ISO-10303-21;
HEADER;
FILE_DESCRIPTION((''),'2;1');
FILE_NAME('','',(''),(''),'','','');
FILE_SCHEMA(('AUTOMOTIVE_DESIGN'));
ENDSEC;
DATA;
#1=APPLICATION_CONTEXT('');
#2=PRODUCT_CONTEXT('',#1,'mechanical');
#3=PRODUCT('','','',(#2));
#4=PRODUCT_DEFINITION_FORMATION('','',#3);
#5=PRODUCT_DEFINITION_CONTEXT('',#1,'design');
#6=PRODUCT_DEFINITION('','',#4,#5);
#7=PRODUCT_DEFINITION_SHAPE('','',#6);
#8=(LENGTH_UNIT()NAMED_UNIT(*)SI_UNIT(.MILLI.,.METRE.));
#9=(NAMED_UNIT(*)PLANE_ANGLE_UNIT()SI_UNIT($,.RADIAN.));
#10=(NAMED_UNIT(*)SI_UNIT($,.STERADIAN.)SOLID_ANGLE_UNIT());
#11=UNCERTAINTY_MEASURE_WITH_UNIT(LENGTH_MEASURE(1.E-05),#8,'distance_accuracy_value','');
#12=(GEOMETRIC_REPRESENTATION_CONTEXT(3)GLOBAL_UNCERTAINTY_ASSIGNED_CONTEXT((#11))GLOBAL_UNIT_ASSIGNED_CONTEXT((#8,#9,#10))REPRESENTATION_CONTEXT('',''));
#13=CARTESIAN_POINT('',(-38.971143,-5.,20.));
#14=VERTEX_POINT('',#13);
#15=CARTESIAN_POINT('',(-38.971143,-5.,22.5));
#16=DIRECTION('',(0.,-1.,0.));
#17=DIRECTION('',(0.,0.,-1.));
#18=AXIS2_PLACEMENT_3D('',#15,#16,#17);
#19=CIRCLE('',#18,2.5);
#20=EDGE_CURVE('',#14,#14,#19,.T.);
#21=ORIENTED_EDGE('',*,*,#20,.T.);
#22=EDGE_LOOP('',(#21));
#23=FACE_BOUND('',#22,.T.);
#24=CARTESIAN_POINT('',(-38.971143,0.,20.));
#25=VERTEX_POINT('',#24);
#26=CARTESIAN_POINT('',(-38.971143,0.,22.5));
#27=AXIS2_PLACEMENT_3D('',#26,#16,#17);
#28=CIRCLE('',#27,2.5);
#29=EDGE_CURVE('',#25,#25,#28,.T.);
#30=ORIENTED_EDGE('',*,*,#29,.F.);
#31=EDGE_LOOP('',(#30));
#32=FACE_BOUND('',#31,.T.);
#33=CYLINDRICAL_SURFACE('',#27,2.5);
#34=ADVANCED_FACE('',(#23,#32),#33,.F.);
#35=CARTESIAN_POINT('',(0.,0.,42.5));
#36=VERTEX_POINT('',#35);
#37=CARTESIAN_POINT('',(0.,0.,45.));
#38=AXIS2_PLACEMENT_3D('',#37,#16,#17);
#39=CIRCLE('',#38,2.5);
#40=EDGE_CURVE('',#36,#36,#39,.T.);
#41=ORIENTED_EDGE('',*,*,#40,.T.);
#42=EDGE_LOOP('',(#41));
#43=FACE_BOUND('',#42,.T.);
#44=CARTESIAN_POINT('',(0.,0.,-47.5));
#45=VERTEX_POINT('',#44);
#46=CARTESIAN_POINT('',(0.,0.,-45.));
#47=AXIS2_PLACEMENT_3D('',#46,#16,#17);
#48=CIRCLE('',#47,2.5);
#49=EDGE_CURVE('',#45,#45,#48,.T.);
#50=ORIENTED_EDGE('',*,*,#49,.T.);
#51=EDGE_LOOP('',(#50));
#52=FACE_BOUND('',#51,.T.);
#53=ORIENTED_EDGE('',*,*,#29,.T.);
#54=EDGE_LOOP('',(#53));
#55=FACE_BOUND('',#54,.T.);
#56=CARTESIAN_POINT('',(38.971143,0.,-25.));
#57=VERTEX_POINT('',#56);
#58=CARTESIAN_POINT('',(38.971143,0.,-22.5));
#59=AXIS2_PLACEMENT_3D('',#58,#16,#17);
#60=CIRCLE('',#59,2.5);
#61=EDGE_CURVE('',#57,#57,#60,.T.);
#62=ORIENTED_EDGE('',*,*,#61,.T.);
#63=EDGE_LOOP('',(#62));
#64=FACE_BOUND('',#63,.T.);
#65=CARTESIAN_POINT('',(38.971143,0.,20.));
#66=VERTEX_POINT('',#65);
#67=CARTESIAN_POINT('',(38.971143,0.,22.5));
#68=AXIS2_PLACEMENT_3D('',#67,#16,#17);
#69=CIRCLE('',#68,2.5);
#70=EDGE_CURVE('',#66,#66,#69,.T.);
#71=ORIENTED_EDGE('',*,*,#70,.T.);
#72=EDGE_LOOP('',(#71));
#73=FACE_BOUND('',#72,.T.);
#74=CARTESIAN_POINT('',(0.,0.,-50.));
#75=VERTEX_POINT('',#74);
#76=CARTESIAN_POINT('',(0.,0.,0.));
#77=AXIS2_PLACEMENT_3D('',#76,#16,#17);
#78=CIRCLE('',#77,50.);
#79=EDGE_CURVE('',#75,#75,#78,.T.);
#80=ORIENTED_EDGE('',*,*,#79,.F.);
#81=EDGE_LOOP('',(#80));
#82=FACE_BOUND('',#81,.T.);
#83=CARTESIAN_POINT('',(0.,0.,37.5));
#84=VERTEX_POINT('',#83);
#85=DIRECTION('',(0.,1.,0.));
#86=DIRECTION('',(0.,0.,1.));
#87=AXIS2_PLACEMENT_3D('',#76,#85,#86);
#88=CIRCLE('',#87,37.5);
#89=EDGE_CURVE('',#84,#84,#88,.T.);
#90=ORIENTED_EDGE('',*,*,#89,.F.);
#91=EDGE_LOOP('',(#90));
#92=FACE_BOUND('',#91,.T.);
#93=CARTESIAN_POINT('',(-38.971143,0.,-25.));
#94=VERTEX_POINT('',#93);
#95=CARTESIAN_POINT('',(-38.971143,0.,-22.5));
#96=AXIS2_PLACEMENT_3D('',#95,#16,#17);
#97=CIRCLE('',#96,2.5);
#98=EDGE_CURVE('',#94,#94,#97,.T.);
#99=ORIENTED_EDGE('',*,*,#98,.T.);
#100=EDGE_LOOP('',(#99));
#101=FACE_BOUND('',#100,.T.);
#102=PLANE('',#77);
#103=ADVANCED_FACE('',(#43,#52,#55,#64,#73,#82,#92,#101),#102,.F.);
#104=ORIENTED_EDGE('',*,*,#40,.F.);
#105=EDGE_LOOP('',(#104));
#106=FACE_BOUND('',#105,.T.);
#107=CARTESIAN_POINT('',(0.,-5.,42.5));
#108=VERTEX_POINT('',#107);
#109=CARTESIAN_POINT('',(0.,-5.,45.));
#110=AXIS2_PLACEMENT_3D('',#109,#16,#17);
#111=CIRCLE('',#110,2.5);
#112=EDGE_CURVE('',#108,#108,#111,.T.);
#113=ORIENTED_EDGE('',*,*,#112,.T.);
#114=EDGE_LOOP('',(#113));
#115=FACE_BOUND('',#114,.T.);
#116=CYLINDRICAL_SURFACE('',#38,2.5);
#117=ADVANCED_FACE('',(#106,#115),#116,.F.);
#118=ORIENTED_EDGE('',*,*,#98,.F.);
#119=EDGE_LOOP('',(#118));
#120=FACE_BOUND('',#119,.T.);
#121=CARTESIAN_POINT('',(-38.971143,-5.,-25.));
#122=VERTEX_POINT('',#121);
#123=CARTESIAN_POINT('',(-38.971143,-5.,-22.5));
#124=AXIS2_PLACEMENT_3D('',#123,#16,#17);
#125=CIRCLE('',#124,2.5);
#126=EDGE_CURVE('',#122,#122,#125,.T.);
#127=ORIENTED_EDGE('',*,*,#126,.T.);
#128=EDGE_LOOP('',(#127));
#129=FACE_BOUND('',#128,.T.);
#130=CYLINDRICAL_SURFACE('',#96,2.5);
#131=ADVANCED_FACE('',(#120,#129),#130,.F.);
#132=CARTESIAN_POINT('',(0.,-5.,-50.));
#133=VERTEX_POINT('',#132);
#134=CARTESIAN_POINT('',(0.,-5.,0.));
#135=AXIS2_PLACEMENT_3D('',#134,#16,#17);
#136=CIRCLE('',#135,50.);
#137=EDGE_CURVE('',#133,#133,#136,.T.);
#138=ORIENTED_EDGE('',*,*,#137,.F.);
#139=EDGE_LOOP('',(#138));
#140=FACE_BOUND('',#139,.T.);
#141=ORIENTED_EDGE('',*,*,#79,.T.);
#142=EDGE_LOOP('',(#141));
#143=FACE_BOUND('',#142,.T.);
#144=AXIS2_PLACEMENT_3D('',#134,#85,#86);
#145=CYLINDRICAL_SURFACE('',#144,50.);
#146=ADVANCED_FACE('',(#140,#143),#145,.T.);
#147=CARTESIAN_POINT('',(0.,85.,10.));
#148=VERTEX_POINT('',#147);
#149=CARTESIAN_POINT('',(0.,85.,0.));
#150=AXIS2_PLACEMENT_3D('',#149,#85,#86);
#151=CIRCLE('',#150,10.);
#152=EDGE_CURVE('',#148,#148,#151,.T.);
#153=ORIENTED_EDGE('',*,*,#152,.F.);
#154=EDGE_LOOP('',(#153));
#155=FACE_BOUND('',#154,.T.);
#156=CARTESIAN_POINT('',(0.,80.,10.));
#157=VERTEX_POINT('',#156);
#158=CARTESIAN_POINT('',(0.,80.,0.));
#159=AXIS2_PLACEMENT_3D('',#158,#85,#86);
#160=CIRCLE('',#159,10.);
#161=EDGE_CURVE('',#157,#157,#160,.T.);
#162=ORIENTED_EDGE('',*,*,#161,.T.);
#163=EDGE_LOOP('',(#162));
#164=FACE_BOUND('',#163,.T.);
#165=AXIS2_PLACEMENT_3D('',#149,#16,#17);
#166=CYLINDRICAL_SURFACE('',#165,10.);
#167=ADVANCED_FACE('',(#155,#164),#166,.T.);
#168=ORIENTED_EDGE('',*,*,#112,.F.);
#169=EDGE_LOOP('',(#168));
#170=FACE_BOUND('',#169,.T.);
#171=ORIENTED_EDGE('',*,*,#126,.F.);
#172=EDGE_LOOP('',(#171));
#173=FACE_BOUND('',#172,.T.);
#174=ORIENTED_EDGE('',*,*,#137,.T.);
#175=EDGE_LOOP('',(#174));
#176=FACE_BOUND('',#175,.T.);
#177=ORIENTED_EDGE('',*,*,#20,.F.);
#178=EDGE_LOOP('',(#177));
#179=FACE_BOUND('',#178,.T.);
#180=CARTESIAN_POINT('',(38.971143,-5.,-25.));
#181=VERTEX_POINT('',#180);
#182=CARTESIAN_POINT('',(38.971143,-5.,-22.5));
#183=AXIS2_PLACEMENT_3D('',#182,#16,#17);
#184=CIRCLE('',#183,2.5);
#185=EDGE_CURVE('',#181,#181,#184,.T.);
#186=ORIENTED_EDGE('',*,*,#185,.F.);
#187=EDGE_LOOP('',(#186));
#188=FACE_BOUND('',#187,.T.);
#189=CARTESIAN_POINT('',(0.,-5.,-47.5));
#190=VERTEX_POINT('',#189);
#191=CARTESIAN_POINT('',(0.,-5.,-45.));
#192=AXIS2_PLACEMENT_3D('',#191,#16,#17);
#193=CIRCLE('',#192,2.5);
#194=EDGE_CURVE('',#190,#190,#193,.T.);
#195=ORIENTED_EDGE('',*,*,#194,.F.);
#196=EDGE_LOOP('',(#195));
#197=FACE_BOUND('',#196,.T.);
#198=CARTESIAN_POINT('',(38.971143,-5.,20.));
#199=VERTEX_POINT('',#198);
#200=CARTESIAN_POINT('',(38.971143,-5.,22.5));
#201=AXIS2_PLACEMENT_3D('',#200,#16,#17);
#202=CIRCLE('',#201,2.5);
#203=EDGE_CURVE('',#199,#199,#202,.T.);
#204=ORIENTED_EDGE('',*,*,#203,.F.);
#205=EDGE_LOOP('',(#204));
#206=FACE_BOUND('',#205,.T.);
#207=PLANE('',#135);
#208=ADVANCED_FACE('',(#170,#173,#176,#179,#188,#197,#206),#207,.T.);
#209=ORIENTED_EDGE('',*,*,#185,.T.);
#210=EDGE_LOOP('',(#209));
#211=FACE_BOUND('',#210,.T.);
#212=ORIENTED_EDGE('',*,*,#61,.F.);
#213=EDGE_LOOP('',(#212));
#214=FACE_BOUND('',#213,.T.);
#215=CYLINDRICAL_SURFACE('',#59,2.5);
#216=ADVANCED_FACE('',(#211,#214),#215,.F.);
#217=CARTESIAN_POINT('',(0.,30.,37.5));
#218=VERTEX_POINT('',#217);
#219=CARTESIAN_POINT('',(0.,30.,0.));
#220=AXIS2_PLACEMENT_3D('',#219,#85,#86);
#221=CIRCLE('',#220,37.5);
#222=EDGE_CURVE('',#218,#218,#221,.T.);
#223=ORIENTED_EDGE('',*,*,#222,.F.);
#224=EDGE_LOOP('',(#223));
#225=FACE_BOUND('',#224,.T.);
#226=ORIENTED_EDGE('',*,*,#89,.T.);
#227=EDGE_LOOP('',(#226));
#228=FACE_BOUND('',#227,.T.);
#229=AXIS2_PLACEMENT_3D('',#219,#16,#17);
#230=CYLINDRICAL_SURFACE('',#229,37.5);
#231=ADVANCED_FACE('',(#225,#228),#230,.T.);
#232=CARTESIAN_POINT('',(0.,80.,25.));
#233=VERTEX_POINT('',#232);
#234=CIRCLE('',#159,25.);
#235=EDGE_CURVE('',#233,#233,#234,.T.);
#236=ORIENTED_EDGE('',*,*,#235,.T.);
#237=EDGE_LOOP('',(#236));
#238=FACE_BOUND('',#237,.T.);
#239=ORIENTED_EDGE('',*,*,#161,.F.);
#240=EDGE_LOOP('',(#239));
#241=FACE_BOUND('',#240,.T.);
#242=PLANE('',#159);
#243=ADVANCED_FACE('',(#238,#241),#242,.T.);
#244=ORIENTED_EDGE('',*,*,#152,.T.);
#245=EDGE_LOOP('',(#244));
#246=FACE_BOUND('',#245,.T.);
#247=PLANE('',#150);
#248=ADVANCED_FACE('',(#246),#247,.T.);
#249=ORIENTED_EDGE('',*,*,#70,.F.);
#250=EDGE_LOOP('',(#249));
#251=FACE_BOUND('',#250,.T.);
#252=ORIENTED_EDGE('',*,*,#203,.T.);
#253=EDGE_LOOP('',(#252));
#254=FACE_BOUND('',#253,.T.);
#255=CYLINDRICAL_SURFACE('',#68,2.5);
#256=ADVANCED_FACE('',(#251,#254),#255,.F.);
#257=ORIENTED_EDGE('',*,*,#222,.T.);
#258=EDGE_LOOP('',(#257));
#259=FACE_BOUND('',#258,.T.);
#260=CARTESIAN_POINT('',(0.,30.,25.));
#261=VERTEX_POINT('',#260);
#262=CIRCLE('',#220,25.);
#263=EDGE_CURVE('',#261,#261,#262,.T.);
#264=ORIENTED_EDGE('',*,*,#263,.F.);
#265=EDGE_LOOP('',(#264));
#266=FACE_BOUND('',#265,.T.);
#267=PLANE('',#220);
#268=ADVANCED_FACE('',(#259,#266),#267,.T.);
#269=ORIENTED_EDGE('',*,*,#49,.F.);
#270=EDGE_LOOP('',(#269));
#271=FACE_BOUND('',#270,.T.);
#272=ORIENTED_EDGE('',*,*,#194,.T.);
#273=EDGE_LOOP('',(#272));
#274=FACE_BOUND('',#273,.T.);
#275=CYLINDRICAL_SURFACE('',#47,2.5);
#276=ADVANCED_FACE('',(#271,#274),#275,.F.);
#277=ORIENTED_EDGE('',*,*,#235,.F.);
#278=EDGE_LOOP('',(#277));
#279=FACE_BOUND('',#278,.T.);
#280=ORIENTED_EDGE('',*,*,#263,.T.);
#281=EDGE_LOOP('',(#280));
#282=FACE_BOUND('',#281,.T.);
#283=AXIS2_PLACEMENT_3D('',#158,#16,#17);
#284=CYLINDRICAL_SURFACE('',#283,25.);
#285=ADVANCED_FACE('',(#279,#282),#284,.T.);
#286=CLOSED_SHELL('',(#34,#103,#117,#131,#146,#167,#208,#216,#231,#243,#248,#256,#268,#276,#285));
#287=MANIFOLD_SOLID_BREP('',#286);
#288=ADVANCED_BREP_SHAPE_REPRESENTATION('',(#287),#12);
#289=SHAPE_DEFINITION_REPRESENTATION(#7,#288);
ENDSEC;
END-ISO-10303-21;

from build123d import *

# Parameters (mm, degrees)
SKETCH1_R           = 37.5
BOSS_EXTRUDE1_DEPTH = 30
SKETCH2_R           = 25
BOSS_EXTRUDE2_DEPTH = 50
SKETCH3_R           = 10
BOSS_EXTRUDE3_DEPTH = 5
SKETCH4_R           = 50
BOSS_EXTRUDE4_DEPTH = 5
SKETCH5_R           = 2.5
CUT_EXTRUDE1_DEPTH  = 5


with BuildPart() as part:
    # Sketch1 → Boss-Extrude1 (new body)
    with BuildSketch(Plane(origin=(0, 0, 0), x_dir=(1, 0, 0), z_dir=(0, 1, 0))):
        with Locations(Location((0, 0, 0), (0, 0, 270))):
            Circle(SKETCH1_R)
    extrude(amount=BOSS_EXTRUDE1_DEPTH)

    # Sketch2 → Boss-Extrude2 (add)
    with BuildSketch(Plane(origin=(0, 30, 0), x_dir=(1, 0, 0), z_dir=(0, 1, 0))):
        with Locations(Location((0, 0, 0), (0, 0, 270))):
            Circle(SKETCH2_R)
    extrude(amount=BOSS_EXTRUDE2_DEPTH)

    # Sketch3 → Boss-Extrude3 (add)
    with BuildSketch(Plane(origin=(0, 80, 0), x_dir=(1, 0, 0), z_dir=(0, 1, 0))):
        with Locations(Location((0, 0, 0), (0, 0, 270))):
            Circle(SKETCH3_R)
    extrude(amount=BOSS_EXTRUDE3_DEPTH)

    # Sketch4 → Boss-Extrude4 (add)
    with BuildSketch(Plane.XZ):
        with Locations(Location((0, 0, 0), (0, 0, 270))):
            Circle(SKETCH4_R)
    extrude(amount=BOSS_EXTRUDE4_DEPTH)

    # Sketch5 → Cut-Extrude1 (cut)
    with BuildSketch(Plane.XZ.offset(5)):
        with Locations(Location((0, 45, 0), (0, 0, 270))):
            Circle(SKETCH5_R)
        with Locations(Location((38.97114317, 22.5, 0), (0, 0, 270))):
            Circle(SKETCH5_R)
        with Locations(Location((38.97114317, -22.5, 0), (0, 0, 270))):
            Circle(SKETCH5_R)
        with Locations(Location((0, -45, 0), (0, 0, 270))):
            Circle(SKETCH5_R)
        with Locations(Location((-38.97114317, -22.5, 0), (0, 0, 270))):
            Circle(SKETCH5_R)
        with Locations(Location((-38.97114317, 22.5, 0), (0, 0, 270))):
            Circle(SKETCH5_R)
    extrude(amount=-CUT_EXTRUDE1_DEPTH, mode=Mode.SUBTRACT)


solid = part.part
